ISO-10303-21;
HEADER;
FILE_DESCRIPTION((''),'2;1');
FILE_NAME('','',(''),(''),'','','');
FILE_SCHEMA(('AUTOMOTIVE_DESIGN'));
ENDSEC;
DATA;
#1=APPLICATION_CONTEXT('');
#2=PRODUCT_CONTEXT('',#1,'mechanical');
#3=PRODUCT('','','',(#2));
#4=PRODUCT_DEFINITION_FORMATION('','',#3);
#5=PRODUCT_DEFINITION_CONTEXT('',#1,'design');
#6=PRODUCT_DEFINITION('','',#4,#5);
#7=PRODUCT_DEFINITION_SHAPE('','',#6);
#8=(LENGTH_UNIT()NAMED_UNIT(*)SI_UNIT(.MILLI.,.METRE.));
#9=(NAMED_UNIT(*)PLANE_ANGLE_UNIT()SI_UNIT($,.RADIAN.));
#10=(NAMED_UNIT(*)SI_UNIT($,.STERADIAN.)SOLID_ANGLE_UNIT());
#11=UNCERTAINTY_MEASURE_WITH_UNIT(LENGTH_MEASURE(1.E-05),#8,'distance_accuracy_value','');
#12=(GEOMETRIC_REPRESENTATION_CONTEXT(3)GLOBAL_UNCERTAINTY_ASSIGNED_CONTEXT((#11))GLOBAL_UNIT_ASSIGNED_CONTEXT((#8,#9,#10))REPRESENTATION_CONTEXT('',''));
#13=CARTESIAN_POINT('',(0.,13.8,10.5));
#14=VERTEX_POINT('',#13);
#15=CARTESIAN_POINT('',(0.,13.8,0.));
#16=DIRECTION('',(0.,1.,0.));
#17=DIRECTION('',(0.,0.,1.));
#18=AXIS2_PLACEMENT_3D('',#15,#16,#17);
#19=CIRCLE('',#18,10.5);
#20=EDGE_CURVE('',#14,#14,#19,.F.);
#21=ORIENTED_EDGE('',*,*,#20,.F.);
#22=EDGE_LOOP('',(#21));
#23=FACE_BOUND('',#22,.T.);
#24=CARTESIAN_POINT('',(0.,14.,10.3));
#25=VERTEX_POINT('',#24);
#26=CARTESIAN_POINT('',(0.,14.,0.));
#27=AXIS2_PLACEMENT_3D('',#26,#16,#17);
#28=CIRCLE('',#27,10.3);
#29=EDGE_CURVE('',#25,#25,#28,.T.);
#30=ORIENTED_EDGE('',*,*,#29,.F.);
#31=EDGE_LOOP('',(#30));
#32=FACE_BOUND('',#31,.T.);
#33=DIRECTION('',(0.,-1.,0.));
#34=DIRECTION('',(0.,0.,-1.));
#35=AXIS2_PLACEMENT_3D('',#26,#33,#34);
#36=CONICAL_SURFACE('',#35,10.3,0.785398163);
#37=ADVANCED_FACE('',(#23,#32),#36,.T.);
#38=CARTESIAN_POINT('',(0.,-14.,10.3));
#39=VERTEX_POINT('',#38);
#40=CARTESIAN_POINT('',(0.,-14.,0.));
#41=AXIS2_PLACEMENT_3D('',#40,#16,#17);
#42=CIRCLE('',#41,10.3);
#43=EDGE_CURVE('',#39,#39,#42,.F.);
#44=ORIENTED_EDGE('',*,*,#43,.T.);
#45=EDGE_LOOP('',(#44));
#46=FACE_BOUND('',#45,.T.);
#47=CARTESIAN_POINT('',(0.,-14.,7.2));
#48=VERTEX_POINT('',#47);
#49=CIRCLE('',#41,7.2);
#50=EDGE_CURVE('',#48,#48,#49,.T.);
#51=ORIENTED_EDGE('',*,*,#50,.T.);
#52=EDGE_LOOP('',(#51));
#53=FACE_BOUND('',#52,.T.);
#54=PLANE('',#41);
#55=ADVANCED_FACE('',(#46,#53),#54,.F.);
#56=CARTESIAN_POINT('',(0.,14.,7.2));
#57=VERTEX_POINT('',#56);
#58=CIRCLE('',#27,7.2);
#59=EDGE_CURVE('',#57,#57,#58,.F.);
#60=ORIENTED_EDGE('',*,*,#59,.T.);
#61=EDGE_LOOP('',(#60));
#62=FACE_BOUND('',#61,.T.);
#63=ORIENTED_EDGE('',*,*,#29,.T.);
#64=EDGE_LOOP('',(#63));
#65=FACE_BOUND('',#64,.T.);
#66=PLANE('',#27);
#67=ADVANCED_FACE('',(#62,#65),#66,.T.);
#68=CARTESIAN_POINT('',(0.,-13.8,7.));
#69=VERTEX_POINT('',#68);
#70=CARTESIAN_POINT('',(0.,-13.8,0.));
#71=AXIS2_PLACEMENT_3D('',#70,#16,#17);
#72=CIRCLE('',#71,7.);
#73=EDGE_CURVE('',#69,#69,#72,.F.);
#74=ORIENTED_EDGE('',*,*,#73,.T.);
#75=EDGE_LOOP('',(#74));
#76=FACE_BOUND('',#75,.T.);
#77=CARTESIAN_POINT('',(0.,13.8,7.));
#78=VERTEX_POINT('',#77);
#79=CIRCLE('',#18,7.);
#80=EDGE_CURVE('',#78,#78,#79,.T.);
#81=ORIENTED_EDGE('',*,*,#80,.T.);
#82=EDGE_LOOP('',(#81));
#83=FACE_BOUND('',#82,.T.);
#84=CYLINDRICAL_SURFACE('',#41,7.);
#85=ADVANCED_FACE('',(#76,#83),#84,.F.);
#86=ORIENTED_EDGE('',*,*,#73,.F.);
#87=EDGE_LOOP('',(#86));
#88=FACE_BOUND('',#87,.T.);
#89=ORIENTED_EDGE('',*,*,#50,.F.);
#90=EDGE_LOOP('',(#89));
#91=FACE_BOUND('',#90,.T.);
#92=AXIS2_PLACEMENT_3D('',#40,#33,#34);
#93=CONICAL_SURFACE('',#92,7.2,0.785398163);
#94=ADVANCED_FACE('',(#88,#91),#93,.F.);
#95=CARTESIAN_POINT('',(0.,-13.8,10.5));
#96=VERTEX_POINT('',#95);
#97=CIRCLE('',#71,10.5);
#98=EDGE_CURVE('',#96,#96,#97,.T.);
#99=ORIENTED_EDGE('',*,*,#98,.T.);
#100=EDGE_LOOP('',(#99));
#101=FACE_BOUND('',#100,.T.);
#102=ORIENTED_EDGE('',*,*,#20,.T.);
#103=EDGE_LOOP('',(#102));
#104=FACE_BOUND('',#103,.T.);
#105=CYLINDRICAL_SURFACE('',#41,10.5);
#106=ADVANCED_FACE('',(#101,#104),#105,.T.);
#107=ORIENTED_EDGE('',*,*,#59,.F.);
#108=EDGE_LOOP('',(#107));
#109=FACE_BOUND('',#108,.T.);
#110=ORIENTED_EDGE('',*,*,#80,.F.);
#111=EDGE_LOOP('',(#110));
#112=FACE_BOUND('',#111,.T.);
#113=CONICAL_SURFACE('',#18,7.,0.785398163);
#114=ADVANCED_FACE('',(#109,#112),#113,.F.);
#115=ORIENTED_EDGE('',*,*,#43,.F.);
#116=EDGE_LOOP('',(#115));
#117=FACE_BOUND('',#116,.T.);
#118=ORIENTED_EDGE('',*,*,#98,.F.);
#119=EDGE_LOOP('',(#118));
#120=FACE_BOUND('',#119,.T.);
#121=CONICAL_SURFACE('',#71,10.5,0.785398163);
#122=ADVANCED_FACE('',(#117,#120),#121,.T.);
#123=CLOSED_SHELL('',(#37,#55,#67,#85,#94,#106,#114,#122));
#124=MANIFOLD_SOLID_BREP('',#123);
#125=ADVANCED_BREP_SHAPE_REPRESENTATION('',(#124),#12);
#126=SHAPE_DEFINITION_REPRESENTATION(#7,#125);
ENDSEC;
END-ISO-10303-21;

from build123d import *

# Parameters (mm, degrees)
AUFSATZ_LINEAR_AUSTRAGEN1_DEPTH      = 14
AUFSATZ_LINEAR_AUSTRAGEN1_DEPTH_BACK = 14
SKIZZE1_R                            = 10.5
SKIZZE1_R_2                          = 7
FASE1_SIZE                           = 0.2


with BuildPart() as part:
    # Skizze1 → Aufsatz-Linear austragen1 (new, two sides: drawn at the far end of the back side and taken through both)
    with BuildSketch(Plane(origin=(0, 0, 0), x_dir=(1, 0, 0), z_dir=(0, 1, 0)).offset(-AUFSATZ_LINEAR_AUSTRAGEN1_DEPTH_BACK)):
        Circle(SKIZZE1_R)
        Circle(SKIZZE1_R_2, mode=Mode.SUBTRACT)
    extrude(amount=AUFSATZ_LINEAR_AUSTRAGEN1_DEPTH + AUFSATZ_LINEAR_AUSTRAGEN1_DEPTH_BACK)

    # Fase1
    fase1_edges = [part.edges().sort_by_distance(p)[0] for p in [
        (-7, -14, 0),
        (-10.5, -14, 0),
        (-10.5, 14, 0),
        (-7, 14, 0),
    ]]
    chamfer(fase1_edges, length=FASE1_SIZE)


solid = part.part
